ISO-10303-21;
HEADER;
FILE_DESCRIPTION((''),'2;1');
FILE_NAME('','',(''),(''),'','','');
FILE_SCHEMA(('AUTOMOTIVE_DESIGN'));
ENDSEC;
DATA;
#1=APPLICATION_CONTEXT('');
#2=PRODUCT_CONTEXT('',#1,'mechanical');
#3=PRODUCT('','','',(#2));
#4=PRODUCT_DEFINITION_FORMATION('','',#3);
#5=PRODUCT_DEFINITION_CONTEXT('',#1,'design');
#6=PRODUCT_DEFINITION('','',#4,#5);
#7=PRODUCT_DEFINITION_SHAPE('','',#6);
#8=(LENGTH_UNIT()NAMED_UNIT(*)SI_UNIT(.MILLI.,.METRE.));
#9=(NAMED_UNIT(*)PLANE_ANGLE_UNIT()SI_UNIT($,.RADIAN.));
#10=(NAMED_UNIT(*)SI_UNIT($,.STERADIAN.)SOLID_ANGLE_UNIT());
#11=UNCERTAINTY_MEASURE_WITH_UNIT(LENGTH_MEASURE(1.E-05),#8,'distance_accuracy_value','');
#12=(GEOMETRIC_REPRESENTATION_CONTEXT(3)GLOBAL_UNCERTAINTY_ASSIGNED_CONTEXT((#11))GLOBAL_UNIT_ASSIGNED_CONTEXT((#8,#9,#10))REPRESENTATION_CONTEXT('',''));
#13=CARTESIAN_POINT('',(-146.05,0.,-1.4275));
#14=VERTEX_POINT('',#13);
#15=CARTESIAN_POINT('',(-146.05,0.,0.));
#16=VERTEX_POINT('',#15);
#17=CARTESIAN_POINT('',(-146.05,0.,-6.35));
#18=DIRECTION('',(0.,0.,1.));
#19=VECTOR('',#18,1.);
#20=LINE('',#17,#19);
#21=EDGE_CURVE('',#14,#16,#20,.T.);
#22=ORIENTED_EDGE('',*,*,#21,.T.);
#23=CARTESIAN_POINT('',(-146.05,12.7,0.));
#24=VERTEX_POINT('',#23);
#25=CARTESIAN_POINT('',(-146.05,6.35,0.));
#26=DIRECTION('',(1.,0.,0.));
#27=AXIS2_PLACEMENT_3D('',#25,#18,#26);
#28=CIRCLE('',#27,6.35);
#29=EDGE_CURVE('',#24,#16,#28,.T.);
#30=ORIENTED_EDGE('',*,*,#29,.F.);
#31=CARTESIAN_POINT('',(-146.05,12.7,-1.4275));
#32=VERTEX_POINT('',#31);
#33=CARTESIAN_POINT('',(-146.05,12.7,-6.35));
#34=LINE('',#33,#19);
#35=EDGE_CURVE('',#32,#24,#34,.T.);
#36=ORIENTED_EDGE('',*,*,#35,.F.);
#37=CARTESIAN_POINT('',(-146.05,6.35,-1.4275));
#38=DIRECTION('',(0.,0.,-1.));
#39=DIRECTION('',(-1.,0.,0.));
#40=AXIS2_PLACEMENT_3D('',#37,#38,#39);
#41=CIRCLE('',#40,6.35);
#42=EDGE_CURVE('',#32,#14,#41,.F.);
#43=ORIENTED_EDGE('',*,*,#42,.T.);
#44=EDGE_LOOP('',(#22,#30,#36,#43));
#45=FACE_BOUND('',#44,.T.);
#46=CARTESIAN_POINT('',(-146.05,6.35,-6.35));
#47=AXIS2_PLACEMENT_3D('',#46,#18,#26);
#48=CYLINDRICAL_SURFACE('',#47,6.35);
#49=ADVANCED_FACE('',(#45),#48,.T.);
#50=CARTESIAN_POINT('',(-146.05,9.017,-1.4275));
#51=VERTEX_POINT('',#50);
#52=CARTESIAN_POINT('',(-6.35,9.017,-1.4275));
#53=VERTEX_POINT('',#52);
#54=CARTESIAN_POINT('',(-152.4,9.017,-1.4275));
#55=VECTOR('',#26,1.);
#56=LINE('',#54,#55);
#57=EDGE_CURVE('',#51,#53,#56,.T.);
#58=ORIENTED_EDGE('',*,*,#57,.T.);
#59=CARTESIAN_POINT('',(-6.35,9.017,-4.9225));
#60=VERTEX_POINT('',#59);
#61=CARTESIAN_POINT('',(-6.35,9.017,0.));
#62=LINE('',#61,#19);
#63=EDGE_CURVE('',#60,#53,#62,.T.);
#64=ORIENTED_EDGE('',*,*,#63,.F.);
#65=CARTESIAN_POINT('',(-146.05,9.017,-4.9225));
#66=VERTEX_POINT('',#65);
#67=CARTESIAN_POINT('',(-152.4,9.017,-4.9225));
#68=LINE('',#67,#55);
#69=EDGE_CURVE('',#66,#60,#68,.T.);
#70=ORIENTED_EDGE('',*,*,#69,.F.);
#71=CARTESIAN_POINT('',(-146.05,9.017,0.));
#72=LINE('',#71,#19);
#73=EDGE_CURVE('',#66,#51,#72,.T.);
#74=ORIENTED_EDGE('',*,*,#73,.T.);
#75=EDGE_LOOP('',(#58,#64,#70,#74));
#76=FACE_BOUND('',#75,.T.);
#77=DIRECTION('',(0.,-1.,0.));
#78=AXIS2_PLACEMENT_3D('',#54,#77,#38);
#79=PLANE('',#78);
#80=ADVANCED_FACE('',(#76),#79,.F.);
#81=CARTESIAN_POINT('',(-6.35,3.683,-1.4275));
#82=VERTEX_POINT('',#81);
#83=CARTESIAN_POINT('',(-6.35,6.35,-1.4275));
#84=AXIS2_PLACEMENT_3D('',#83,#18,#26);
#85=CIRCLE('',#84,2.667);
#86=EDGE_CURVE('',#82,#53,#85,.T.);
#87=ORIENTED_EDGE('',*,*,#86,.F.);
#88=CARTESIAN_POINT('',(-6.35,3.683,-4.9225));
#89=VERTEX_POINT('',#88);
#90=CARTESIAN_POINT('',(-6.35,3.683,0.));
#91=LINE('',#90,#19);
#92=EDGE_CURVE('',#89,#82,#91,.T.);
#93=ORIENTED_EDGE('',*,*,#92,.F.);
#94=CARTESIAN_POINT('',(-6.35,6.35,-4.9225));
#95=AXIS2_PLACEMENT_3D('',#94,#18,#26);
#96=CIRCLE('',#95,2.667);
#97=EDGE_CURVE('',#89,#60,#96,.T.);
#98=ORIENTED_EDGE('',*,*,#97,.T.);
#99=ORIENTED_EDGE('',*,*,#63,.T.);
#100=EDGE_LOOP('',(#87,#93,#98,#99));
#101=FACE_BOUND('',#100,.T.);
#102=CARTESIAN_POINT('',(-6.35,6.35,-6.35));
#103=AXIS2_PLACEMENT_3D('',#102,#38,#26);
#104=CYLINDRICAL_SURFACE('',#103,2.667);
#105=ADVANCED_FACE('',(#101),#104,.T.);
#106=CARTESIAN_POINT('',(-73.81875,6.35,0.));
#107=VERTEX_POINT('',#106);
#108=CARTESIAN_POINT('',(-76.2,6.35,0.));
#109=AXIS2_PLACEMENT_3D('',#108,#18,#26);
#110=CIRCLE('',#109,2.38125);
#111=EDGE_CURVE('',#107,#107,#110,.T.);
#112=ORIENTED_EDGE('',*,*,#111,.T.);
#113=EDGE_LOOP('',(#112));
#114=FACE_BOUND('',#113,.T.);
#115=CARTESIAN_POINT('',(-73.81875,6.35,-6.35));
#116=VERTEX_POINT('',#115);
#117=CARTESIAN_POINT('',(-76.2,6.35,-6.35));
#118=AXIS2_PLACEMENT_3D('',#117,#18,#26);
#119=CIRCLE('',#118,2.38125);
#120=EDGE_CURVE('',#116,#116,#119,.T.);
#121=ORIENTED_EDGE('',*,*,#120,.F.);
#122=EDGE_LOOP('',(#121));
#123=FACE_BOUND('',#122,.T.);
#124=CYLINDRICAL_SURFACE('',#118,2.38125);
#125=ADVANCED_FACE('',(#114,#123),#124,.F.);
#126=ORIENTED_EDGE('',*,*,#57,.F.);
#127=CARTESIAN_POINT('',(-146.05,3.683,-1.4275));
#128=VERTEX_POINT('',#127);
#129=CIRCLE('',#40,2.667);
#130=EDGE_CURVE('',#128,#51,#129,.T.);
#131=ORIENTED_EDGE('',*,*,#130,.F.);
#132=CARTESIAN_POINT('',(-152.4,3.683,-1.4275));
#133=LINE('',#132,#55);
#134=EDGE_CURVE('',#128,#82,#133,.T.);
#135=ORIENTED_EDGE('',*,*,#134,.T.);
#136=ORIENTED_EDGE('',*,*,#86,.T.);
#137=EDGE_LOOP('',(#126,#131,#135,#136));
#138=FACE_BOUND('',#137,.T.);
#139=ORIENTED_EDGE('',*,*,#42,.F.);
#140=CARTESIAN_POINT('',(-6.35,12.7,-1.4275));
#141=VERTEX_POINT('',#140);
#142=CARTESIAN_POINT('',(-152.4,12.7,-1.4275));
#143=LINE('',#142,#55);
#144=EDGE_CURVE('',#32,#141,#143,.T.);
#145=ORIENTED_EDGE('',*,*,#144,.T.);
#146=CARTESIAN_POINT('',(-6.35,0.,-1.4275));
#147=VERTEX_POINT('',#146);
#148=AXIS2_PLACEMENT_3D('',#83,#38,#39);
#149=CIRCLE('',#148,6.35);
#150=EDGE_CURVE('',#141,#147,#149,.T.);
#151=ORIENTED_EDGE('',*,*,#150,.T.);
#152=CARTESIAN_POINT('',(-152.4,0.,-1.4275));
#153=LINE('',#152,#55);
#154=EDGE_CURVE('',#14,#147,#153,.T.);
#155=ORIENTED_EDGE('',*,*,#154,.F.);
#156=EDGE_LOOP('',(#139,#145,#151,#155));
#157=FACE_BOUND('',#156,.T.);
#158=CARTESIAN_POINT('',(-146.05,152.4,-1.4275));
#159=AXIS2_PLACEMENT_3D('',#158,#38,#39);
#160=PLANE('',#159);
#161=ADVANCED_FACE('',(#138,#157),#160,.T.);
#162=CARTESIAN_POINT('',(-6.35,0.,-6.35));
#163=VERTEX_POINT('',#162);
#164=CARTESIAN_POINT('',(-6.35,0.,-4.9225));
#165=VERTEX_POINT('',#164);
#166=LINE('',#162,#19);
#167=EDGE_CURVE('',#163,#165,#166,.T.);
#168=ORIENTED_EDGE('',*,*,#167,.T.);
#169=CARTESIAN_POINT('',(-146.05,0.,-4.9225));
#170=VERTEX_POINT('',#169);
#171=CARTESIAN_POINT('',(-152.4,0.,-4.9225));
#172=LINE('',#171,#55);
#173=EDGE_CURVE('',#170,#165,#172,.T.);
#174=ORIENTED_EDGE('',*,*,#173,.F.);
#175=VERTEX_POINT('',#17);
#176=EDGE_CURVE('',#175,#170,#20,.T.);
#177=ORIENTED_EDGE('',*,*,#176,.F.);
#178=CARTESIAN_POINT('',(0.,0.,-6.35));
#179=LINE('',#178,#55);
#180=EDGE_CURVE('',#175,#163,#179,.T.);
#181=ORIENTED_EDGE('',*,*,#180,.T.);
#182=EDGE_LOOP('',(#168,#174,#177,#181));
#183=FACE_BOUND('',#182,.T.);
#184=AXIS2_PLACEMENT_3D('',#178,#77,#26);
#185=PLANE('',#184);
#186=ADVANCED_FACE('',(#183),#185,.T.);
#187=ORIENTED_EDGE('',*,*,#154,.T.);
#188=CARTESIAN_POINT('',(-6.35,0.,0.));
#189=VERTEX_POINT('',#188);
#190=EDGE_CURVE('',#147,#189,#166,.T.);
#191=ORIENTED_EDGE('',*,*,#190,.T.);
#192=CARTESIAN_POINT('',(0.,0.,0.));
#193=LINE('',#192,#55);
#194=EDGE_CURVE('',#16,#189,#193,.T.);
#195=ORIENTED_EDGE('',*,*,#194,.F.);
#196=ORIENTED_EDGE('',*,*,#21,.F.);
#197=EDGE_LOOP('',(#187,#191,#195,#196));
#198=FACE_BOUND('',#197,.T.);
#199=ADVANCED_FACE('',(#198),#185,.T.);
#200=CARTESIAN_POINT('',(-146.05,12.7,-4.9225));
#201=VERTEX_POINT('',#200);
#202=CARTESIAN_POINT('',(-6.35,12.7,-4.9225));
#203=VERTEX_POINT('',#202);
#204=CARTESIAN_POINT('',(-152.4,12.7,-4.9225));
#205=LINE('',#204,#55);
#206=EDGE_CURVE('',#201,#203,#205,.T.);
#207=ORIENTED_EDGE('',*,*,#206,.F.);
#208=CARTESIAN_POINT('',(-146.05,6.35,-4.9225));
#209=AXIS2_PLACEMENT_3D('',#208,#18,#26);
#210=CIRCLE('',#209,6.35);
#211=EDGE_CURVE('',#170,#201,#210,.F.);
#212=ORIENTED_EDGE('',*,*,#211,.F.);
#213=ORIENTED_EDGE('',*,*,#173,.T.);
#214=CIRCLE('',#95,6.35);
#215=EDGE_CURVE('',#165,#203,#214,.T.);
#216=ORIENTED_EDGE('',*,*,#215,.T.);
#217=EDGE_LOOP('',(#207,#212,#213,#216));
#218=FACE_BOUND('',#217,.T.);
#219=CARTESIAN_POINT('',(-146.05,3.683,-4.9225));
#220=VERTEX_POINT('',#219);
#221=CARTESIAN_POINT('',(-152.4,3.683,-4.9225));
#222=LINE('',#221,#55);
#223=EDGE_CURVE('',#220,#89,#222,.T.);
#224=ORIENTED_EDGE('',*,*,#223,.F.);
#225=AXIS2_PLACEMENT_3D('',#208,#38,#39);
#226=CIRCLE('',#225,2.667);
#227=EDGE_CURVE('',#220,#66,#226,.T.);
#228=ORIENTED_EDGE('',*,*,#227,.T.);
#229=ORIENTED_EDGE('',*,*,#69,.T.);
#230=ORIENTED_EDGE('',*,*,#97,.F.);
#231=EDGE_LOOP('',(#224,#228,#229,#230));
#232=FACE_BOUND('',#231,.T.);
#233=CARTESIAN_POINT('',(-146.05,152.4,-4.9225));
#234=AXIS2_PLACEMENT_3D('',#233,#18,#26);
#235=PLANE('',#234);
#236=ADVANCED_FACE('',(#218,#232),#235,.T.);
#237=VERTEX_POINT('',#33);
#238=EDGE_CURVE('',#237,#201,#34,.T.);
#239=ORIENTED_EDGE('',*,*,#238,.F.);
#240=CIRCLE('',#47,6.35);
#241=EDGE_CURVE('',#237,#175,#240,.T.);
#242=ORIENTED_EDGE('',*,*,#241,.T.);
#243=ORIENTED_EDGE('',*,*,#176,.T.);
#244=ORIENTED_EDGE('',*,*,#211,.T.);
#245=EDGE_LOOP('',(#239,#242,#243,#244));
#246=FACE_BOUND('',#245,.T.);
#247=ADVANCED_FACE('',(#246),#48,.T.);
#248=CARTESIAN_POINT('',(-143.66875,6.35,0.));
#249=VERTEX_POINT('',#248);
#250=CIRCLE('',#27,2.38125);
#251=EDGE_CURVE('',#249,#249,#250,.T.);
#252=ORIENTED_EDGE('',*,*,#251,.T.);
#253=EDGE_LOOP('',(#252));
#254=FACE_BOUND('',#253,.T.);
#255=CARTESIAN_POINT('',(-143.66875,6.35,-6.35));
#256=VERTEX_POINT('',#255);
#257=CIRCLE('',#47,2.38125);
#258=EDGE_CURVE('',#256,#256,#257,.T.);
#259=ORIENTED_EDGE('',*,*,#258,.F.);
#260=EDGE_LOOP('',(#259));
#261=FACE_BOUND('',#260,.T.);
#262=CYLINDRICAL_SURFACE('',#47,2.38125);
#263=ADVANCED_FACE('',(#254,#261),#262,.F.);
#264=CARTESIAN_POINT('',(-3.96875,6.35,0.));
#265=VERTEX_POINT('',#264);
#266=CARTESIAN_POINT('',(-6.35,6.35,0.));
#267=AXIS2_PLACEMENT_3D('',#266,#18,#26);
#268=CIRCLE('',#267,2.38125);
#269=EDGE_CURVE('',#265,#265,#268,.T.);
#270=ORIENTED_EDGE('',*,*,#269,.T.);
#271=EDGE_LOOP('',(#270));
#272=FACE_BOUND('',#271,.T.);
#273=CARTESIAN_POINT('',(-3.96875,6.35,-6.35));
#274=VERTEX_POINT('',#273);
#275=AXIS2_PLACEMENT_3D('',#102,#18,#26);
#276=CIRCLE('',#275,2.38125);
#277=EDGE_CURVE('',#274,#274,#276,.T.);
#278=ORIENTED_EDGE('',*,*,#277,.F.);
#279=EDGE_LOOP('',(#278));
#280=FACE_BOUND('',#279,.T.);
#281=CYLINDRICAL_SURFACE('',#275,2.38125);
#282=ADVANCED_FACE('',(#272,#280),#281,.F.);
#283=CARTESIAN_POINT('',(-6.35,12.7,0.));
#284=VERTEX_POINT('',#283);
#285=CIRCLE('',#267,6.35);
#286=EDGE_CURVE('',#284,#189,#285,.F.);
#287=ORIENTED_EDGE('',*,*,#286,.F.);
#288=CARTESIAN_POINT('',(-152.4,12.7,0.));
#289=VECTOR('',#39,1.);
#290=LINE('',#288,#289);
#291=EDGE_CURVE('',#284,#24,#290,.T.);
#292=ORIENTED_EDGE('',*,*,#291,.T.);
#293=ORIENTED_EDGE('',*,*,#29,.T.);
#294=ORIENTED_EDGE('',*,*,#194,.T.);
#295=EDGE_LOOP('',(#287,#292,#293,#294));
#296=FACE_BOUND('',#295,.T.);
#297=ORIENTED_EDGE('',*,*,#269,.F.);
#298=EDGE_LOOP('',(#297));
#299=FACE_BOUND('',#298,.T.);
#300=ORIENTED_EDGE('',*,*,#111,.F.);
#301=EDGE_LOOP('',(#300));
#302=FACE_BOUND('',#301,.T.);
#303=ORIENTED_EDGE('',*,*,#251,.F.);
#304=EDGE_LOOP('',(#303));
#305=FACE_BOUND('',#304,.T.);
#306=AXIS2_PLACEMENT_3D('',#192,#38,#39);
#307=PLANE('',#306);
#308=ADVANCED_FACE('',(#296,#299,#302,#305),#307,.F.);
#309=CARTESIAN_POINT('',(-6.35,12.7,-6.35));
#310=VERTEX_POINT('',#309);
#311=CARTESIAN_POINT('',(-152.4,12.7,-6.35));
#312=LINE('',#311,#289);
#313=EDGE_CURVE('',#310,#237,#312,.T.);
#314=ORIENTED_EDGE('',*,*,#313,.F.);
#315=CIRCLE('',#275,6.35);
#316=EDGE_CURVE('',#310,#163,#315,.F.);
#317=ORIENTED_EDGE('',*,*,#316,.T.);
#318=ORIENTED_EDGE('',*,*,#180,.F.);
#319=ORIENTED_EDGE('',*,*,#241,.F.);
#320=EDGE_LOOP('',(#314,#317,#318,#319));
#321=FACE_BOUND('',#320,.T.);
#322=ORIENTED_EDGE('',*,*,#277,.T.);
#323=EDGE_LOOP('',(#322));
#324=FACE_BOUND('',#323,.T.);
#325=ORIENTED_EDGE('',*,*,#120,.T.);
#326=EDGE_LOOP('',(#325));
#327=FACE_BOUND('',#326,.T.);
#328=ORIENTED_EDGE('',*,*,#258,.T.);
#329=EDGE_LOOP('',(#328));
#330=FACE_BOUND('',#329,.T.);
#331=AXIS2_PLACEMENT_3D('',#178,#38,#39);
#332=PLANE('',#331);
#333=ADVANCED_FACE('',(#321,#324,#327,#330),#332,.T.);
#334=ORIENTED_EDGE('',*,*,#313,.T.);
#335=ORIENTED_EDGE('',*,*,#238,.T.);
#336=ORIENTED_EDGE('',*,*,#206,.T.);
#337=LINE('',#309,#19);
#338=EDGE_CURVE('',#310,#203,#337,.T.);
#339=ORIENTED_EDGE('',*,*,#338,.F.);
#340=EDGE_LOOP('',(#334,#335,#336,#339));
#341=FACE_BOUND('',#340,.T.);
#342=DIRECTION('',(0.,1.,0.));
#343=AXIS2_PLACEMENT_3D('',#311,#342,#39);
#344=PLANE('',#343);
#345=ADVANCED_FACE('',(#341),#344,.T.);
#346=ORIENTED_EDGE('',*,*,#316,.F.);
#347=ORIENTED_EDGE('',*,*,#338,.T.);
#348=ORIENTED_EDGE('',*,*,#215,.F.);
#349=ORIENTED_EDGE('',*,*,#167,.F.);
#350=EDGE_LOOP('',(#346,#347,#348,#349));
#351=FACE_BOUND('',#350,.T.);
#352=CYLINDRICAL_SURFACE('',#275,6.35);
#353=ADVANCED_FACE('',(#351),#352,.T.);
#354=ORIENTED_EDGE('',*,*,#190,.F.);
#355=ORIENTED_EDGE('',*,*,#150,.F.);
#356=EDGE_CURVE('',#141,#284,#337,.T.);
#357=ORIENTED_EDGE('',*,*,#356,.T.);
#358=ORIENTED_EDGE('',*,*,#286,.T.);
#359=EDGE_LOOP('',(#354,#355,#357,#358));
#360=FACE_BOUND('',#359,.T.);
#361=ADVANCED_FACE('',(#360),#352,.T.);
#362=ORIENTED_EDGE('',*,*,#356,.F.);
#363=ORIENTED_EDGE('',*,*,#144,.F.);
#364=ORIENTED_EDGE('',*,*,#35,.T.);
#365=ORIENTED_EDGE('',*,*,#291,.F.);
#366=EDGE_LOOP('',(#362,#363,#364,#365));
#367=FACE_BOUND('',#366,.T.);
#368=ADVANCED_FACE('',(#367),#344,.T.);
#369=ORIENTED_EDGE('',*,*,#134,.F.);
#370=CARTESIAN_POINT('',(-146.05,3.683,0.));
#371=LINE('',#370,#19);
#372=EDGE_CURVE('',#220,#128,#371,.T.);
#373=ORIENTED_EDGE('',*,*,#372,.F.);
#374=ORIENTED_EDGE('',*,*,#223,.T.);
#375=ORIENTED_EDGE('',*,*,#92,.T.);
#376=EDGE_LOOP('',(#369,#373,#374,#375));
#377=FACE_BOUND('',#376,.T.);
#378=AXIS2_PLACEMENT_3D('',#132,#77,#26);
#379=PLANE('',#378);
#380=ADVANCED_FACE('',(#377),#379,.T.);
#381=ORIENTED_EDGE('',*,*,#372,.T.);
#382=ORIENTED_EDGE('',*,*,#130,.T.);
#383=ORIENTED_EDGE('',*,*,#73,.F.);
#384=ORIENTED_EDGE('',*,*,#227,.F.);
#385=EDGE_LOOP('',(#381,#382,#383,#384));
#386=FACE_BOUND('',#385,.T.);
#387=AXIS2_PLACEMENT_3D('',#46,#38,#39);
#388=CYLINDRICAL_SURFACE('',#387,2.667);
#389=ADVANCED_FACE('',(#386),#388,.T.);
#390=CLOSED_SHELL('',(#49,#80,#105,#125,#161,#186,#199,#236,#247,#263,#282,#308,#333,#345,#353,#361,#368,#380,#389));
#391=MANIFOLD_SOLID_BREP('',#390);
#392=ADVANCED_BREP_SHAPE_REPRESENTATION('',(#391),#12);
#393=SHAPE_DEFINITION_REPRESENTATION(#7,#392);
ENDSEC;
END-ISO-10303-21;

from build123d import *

# Parameters (mm, degrees)
ESQUISSE1_W             = 152.4
ESQUISSE1_H             = 12.7
BOSS_EXTRU_1_DEPTH      = 6.35
ESQUISSE2_R             = 2.38125
ENL_V_MAT_EXTRU_1_DEPTH = 154.060029074
SKETCH1_W               = 14.17076538
SKETCH1_H               = 3.495000122
CUT_REVOLVE1_ANGLE      = 180
SKETCH2_W               = 3.495000122
SKETCH2_H               = 3.683
CUT_EXTRUDE1_DEPTH      = 154.060029074


with BuildPart() as part:
    # Esquisse1 → Boss.-Extru.1 (new body)
    with BuildSketch(Plane.XY):
        with Locations((-76.2, 6.35)):
            Rectangle(ESQUISSE1_W, ESQUISSE1_H)
    extrude(amount=-BOSS_EXTRU_1_DEPTH)

    # Esquisse2 → Enlèv. mat.-Extru.1 (cut, through all)
    with BuildSketch(Plane.XY):
        with Locations((-146.05, 6.35)):
            Circle(ESQUISSE2_R)
        with Locations((-76.2, 6.35)):
            Circle(ESQUISSE2_R)
        with Locations((-6.35, 6.35)):
            Circle(ESQUISSE2_R)
        with BuildLine():
            Line((0, 12.7), (-6.35, 12.7))
            ThreePointArc((-6.35, 12.7), (-1.859871939, 10.840128061), (0, 6.35))
            Line((0, 6.35), (0, 12.7))
        make_face()
        with BuildLine():
            Line((0, 0), (0, 6.35))
            ThreePointArc((0, 6.35), (-1.859871939, 1.859871939), (-6.35, 0))
            Line((-6.35, 0), (0, 0))
        make_face()
        with BuildLine():
            ThreePointArc((-152.4, 6.35), (-150.540128061, 10.840128061), (-146.05, 12.7))
            Line((-146.05, 12.7), (-152.4, 12.7))
            Line((-152.4, 12.7), (-152.4, 6.35))
        make_face()
        with BuildLine():
            ThreePointArc((-146.05, 0), (-150.540128061, 1.859871939), (-152.4, 6.35))
            Line((-152.4, 6.35), (-152.4, 0))
            Line((-152.4, 0), (-146.05, 0))
        make_face()
    extrude(amount=-ENL_V_MAT_EXTRU_1_DEPTH, mode=Mode.SUBTRACT)

    # Sketch1 → Cut-Revolve1 (revolve, symmetric, cut)
    with BuildSketch(Plane(origin=(0, 6.35, 0), x_dir=(1, 0, 0), z_dir=(0, 1, 0))) as cut_revolve1_sk:
        Polygon((-150.5585, 1.427499939), (-152.4, 1.427499939), (-152.4, 4.922500061), (-150.5585, 4.922500061), (-148.717, 4.922500061), (-148.717, 1.427499939), align=None)
        with Locations((-159.48538269, 3.175)):
            Rectangle(SKETCH1_W, SKETCH1_H)
    cut_revolve1 = revolve(axis=Axis((-146.05, 6.35, -6.35), (0, 0, 1)), revolution_arc=CUT_REVOLVE1_ANGLE / 2, mode=Mode.SUBTRACT)
    cut_revolve1 = cut_revolve1 + revolve(cut_revolve1_sk.sketch, axis=Axis((-146.05, 6.35, -6.35), (0, 0, -1)), revolution_arc=CUT_REVOLVE1_ANGLE / 2, mode=Mode.SUBTRACT)

    # Mirror1: Cut-Revolve1 across plane
    add(cut_revolve1.mirror(Plane(origin=(-76.2, 0, 0), x_dir=(0, 0, 1), z_dir=(1, 0, 0))), mode=Mode.SUBTRACT)

    # Sketch2 → Cut-Extrude1 (cut, through all)
    with BuildSketch(Plane(origin=(0, 0, 0), x_dir=(0, 0, -1), z_dir=(1, 0, 0))):
        with Locations((3.175, 10.8585)):
            Rectangle(SKETCH2_W, SKETCH2_H)
    cut_extrude1 = extrude(amount=-CUT_EXTRUDE1_DEPTH, mode=Mode.SUBTRACT)

    # Mirror2: Cut-Extrude1 across plane
    add(cut_extrude1.mirror(Plane.ZX.offset(6.35)), mode=Mode.SUBTRACT)


solid = part.part
